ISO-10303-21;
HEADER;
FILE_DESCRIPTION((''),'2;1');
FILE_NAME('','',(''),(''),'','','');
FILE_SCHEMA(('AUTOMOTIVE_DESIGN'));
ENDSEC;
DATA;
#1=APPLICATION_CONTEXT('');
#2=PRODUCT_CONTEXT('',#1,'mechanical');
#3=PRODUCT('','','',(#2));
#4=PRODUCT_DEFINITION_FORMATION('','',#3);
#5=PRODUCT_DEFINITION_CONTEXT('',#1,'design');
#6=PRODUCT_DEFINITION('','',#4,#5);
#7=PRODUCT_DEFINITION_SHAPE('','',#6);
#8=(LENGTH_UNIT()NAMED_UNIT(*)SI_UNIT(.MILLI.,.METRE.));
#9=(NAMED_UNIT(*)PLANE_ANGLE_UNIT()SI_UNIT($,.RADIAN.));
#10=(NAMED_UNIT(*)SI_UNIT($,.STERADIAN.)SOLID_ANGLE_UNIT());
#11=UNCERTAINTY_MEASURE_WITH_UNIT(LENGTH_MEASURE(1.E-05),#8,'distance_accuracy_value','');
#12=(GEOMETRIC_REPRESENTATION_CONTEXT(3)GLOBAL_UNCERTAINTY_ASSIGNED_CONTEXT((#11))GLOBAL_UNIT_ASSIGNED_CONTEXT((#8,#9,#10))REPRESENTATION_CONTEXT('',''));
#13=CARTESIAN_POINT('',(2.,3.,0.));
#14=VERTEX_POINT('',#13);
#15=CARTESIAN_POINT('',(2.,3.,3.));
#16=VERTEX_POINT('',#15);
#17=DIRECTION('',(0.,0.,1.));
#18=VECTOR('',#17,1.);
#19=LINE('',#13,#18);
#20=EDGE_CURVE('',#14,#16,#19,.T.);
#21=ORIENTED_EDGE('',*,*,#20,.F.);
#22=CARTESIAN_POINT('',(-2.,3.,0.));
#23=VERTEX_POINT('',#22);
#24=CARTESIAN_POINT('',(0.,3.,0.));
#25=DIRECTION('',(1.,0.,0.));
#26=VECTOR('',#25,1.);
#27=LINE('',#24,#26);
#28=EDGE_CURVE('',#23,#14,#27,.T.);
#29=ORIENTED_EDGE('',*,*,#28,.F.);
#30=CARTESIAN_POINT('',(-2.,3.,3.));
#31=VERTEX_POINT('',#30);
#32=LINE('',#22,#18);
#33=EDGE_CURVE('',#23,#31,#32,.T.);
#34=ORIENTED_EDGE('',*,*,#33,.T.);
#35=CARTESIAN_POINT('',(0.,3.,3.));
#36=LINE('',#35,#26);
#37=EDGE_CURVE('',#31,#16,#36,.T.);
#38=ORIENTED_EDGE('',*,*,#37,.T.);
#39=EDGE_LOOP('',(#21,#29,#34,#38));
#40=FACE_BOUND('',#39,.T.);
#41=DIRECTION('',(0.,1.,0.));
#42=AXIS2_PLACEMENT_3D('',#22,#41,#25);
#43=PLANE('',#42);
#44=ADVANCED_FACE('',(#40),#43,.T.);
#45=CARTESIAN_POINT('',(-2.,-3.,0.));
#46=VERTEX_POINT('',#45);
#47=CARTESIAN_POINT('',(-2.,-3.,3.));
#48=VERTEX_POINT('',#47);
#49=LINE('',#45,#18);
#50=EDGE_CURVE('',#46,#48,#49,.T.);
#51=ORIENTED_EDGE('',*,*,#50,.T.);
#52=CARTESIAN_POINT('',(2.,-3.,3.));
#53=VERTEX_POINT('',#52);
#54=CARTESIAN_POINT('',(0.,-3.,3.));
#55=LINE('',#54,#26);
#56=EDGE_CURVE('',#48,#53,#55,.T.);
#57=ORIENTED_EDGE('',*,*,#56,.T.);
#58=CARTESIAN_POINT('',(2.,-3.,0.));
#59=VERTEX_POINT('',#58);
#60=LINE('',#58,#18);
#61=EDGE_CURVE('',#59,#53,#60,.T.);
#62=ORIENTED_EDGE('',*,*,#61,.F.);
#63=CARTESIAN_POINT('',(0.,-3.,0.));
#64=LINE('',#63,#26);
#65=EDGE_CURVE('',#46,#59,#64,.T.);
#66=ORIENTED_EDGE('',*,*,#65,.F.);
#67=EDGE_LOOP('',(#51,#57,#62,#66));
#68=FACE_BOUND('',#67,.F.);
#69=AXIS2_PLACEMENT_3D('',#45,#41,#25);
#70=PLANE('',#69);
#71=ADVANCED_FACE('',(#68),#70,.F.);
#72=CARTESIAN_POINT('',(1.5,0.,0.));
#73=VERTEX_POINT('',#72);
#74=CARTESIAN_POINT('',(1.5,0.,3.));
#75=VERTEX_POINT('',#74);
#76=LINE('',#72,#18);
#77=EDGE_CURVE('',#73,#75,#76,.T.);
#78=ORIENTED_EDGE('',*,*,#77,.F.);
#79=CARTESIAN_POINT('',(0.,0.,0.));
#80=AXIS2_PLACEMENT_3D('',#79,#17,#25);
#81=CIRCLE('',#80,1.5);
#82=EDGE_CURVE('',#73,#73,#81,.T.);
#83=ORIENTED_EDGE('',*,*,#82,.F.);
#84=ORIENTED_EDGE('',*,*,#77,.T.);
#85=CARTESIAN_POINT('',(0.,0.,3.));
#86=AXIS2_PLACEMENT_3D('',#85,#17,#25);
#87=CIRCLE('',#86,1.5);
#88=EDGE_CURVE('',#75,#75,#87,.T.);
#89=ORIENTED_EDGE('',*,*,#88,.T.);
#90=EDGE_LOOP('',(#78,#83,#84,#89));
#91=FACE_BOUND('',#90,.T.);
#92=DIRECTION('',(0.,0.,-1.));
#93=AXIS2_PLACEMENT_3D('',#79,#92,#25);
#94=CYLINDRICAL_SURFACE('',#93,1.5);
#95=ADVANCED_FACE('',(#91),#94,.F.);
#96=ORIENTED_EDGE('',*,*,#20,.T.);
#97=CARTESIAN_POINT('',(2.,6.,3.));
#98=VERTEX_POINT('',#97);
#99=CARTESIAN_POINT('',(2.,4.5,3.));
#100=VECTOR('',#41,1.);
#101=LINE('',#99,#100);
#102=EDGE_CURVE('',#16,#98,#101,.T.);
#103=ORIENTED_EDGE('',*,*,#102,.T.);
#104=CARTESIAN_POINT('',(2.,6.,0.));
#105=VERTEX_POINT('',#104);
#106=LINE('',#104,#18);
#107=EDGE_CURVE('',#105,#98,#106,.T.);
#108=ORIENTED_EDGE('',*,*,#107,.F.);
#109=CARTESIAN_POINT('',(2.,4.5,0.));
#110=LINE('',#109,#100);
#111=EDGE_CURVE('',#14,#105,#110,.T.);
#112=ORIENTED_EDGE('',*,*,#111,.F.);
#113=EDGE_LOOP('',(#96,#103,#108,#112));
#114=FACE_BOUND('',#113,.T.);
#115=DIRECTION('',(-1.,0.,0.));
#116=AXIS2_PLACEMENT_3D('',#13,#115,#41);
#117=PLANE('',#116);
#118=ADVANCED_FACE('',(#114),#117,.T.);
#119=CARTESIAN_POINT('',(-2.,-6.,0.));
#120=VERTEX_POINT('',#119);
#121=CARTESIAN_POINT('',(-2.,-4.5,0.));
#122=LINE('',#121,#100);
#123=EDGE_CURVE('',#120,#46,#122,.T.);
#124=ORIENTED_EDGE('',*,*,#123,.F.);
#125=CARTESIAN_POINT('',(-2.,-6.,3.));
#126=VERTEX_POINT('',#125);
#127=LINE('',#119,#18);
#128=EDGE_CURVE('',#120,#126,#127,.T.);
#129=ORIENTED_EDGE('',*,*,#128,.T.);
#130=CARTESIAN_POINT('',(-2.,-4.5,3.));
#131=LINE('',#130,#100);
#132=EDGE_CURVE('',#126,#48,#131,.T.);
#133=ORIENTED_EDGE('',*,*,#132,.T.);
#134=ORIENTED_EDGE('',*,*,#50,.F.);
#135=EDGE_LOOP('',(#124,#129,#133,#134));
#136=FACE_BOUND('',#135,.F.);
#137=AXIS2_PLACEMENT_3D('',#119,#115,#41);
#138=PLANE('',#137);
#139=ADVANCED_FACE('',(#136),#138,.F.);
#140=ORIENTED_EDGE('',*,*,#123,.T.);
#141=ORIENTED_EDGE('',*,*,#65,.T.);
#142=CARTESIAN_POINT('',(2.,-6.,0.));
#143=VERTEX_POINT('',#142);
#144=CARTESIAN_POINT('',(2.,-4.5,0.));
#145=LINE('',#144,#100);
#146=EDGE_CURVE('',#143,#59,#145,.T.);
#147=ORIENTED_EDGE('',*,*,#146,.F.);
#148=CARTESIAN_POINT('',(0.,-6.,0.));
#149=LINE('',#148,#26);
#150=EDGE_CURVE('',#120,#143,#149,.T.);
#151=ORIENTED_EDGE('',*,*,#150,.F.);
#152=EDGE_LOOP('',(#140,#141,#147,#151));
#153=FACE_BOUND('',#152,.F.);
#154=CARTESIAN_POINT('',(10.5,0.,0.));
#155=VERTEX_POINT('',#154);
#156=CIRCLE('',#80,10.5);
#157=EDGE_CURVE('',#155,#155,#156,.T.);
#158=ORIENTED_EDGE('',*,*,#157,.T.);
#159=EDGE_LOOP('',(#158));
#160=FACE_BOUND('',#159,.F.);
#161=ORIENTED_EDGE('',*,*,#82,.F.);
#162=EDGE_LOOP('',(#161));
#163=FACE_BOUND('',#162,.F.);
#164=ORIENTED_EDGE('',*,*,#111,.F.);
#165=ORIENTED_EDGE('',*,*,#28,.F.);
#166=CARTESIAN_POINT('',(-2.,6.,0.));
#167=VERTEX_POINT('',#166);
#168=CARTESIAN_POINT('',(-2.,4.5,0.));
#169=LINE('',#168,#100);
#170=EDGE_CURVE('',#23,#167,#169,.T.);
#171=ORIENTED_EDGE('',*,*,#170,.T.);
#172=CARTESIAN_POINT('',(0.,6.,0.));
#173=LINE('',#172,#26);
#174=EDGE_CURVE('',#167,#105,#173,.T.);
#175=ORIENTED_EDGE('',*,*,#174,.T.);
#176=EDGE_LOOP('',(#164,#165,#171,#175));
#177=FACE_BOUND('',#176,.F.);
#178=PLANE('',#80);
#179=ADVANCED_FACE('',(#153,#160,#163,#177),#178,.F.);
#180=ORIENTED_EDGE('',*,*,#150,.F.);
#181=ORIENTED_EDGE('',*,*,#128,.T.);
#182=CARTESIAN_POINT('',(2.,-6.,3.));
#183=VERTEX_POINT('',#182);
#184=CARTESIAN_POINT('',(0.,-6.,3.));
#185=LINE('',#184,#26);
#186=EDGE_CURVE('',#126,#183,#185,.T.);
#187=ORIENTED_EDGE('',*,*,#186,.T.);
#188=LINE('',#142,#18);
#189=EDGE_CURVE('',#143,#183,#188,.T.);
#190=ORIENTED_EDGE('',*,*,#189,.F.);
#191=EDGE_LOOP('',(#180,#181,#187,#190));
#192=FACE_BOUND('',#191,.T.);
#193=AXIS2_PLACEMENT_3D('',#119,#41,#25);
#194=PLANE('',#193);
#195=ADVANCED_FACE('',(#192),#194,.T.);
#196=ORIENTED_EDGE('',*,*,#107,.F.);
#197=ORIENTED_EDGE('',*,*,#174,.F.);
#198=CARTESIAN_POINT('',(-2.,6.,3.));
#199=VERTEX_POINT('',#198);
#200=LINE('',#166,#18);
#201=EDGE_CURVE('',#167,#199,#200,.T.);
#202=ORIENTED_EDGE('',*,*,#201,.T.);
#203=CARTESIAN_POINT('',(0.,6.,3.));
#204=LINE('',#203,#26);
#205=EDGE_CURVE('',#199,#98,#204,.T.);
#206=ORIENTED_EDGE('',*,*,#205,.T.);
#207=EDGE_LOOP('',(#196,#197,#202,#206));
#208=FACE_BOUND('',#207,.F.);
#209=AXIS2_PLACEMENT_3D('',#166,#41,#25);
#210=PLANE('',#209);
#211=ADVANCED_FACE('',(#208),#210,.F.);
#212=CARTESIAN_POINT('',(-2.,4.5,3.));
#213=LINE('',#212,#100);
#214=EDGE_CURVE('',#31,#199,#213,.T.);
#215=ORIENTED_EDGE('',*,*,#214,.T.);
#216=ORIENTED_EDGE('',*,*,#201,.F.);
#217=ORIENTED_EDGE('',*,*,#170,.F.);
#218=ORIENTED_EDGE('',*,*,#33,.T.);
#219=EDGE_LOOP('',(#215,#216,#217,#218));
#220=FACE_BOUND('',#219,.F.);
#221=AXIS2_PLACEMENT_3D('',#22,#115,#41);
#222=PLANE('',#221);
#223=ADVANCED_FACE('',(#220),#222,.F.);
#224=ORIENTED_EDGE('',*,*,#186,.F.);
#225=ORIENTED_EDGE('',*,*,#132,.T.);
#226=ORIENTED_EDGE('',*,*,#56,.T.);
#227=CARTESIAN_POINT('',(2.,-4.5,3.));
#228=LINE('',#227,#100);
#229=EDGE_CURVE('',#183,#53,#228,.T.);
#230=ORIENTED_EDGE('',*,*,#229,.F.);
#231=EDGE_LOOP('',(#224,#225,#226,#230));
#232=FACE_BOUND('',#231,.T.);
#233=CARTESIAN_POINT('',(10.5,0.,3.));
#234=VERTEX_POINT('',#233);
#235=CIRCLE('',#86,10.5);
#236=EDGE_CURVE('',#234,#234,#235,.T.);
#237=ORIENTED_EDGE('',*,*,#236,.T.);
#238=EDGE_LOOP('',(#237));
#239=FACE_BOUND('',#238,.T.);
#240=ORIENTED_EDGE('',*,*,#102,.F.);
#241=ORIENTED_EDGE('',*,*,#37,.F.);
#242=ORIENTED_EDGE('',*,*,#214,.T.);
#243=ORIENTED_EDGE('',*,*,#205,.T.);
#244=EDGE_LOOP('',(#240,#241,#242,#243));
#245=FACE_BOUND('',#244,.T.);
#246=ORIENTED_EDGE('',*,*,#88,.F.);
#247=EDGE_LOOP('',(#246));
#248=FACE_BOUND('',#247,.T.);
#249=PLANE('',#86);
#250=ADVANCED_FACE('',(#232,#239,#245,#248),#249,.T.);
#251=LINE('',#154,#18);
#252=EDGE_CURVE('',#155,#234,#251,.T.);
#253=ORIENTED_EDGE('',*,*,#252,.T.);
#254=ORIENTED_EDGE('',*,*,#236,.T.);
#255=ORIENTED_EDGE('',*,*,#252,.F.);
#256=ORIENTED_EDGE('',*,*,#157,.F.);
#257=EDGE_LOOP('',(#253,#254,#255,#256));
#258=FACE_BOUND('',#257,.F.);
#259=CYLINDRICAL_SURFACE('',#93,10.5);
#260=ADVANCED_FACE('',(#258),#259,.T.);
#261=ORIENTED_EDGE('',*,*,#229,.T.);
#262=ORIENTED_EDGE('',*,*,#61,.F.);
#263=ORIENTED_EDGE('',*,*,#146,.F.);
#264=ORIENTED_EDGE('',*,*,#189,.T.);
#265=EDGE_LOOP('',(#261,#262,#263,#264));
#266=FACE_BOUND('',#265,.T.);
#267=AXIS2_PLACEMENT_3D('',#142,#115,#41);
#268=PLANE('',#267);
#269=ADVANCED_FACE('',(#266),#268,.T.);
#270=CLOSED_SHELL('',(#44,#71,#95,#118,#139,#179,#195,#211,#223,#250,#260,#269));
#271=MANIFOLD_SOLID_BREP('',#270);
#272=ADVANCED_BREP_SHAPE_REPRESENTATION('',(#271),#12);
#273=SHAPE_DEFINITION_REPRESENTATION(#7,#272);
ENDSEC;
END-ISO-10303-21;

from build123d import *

# Parameters (mm, degrees)
F0_R     = 10.5
F0_W     = 4
F0_H     = 3
F0_R_2   = 1.5
F1_DEPTH = 3
F2_DEPTH = 3


with BuildPart() as f1:
    # F0 (on Top) → F1 (new body)
    with BuildSketch(Plane.XY):
        Circle(F0_R)
        with Locations((0, -4.5)):
            Rectangle(F0_W, F0_H, mode=Mode.SUBTRACT)
        Circle(F0_R_2, mode=Mode.SUBTRACT)
        with Locations((0, 4.5)):
            Rectangle(F0_W, F0_H, mode=Mode.SUBTRACT)
    extrude(amount=F1_DEPTH)

    # F0 (on Top) → F2 (join)
    with BuildSketch(Plane.XY):
        Circle(F0_R)
        with Locations((0, -4.5)):
            Rectangle(F0_W, F0_H, mode=Mode.SUBTRACT)
        Circle(F0_R_2, mode=Mode.SUBTRACT)
        with Locations((0, 4.5)):
            Rectangle(F0_W, F0_H, mode=Mode.SUBTRACT)
    extrude(amount=F2_DEPTH)


solid = f1.part
